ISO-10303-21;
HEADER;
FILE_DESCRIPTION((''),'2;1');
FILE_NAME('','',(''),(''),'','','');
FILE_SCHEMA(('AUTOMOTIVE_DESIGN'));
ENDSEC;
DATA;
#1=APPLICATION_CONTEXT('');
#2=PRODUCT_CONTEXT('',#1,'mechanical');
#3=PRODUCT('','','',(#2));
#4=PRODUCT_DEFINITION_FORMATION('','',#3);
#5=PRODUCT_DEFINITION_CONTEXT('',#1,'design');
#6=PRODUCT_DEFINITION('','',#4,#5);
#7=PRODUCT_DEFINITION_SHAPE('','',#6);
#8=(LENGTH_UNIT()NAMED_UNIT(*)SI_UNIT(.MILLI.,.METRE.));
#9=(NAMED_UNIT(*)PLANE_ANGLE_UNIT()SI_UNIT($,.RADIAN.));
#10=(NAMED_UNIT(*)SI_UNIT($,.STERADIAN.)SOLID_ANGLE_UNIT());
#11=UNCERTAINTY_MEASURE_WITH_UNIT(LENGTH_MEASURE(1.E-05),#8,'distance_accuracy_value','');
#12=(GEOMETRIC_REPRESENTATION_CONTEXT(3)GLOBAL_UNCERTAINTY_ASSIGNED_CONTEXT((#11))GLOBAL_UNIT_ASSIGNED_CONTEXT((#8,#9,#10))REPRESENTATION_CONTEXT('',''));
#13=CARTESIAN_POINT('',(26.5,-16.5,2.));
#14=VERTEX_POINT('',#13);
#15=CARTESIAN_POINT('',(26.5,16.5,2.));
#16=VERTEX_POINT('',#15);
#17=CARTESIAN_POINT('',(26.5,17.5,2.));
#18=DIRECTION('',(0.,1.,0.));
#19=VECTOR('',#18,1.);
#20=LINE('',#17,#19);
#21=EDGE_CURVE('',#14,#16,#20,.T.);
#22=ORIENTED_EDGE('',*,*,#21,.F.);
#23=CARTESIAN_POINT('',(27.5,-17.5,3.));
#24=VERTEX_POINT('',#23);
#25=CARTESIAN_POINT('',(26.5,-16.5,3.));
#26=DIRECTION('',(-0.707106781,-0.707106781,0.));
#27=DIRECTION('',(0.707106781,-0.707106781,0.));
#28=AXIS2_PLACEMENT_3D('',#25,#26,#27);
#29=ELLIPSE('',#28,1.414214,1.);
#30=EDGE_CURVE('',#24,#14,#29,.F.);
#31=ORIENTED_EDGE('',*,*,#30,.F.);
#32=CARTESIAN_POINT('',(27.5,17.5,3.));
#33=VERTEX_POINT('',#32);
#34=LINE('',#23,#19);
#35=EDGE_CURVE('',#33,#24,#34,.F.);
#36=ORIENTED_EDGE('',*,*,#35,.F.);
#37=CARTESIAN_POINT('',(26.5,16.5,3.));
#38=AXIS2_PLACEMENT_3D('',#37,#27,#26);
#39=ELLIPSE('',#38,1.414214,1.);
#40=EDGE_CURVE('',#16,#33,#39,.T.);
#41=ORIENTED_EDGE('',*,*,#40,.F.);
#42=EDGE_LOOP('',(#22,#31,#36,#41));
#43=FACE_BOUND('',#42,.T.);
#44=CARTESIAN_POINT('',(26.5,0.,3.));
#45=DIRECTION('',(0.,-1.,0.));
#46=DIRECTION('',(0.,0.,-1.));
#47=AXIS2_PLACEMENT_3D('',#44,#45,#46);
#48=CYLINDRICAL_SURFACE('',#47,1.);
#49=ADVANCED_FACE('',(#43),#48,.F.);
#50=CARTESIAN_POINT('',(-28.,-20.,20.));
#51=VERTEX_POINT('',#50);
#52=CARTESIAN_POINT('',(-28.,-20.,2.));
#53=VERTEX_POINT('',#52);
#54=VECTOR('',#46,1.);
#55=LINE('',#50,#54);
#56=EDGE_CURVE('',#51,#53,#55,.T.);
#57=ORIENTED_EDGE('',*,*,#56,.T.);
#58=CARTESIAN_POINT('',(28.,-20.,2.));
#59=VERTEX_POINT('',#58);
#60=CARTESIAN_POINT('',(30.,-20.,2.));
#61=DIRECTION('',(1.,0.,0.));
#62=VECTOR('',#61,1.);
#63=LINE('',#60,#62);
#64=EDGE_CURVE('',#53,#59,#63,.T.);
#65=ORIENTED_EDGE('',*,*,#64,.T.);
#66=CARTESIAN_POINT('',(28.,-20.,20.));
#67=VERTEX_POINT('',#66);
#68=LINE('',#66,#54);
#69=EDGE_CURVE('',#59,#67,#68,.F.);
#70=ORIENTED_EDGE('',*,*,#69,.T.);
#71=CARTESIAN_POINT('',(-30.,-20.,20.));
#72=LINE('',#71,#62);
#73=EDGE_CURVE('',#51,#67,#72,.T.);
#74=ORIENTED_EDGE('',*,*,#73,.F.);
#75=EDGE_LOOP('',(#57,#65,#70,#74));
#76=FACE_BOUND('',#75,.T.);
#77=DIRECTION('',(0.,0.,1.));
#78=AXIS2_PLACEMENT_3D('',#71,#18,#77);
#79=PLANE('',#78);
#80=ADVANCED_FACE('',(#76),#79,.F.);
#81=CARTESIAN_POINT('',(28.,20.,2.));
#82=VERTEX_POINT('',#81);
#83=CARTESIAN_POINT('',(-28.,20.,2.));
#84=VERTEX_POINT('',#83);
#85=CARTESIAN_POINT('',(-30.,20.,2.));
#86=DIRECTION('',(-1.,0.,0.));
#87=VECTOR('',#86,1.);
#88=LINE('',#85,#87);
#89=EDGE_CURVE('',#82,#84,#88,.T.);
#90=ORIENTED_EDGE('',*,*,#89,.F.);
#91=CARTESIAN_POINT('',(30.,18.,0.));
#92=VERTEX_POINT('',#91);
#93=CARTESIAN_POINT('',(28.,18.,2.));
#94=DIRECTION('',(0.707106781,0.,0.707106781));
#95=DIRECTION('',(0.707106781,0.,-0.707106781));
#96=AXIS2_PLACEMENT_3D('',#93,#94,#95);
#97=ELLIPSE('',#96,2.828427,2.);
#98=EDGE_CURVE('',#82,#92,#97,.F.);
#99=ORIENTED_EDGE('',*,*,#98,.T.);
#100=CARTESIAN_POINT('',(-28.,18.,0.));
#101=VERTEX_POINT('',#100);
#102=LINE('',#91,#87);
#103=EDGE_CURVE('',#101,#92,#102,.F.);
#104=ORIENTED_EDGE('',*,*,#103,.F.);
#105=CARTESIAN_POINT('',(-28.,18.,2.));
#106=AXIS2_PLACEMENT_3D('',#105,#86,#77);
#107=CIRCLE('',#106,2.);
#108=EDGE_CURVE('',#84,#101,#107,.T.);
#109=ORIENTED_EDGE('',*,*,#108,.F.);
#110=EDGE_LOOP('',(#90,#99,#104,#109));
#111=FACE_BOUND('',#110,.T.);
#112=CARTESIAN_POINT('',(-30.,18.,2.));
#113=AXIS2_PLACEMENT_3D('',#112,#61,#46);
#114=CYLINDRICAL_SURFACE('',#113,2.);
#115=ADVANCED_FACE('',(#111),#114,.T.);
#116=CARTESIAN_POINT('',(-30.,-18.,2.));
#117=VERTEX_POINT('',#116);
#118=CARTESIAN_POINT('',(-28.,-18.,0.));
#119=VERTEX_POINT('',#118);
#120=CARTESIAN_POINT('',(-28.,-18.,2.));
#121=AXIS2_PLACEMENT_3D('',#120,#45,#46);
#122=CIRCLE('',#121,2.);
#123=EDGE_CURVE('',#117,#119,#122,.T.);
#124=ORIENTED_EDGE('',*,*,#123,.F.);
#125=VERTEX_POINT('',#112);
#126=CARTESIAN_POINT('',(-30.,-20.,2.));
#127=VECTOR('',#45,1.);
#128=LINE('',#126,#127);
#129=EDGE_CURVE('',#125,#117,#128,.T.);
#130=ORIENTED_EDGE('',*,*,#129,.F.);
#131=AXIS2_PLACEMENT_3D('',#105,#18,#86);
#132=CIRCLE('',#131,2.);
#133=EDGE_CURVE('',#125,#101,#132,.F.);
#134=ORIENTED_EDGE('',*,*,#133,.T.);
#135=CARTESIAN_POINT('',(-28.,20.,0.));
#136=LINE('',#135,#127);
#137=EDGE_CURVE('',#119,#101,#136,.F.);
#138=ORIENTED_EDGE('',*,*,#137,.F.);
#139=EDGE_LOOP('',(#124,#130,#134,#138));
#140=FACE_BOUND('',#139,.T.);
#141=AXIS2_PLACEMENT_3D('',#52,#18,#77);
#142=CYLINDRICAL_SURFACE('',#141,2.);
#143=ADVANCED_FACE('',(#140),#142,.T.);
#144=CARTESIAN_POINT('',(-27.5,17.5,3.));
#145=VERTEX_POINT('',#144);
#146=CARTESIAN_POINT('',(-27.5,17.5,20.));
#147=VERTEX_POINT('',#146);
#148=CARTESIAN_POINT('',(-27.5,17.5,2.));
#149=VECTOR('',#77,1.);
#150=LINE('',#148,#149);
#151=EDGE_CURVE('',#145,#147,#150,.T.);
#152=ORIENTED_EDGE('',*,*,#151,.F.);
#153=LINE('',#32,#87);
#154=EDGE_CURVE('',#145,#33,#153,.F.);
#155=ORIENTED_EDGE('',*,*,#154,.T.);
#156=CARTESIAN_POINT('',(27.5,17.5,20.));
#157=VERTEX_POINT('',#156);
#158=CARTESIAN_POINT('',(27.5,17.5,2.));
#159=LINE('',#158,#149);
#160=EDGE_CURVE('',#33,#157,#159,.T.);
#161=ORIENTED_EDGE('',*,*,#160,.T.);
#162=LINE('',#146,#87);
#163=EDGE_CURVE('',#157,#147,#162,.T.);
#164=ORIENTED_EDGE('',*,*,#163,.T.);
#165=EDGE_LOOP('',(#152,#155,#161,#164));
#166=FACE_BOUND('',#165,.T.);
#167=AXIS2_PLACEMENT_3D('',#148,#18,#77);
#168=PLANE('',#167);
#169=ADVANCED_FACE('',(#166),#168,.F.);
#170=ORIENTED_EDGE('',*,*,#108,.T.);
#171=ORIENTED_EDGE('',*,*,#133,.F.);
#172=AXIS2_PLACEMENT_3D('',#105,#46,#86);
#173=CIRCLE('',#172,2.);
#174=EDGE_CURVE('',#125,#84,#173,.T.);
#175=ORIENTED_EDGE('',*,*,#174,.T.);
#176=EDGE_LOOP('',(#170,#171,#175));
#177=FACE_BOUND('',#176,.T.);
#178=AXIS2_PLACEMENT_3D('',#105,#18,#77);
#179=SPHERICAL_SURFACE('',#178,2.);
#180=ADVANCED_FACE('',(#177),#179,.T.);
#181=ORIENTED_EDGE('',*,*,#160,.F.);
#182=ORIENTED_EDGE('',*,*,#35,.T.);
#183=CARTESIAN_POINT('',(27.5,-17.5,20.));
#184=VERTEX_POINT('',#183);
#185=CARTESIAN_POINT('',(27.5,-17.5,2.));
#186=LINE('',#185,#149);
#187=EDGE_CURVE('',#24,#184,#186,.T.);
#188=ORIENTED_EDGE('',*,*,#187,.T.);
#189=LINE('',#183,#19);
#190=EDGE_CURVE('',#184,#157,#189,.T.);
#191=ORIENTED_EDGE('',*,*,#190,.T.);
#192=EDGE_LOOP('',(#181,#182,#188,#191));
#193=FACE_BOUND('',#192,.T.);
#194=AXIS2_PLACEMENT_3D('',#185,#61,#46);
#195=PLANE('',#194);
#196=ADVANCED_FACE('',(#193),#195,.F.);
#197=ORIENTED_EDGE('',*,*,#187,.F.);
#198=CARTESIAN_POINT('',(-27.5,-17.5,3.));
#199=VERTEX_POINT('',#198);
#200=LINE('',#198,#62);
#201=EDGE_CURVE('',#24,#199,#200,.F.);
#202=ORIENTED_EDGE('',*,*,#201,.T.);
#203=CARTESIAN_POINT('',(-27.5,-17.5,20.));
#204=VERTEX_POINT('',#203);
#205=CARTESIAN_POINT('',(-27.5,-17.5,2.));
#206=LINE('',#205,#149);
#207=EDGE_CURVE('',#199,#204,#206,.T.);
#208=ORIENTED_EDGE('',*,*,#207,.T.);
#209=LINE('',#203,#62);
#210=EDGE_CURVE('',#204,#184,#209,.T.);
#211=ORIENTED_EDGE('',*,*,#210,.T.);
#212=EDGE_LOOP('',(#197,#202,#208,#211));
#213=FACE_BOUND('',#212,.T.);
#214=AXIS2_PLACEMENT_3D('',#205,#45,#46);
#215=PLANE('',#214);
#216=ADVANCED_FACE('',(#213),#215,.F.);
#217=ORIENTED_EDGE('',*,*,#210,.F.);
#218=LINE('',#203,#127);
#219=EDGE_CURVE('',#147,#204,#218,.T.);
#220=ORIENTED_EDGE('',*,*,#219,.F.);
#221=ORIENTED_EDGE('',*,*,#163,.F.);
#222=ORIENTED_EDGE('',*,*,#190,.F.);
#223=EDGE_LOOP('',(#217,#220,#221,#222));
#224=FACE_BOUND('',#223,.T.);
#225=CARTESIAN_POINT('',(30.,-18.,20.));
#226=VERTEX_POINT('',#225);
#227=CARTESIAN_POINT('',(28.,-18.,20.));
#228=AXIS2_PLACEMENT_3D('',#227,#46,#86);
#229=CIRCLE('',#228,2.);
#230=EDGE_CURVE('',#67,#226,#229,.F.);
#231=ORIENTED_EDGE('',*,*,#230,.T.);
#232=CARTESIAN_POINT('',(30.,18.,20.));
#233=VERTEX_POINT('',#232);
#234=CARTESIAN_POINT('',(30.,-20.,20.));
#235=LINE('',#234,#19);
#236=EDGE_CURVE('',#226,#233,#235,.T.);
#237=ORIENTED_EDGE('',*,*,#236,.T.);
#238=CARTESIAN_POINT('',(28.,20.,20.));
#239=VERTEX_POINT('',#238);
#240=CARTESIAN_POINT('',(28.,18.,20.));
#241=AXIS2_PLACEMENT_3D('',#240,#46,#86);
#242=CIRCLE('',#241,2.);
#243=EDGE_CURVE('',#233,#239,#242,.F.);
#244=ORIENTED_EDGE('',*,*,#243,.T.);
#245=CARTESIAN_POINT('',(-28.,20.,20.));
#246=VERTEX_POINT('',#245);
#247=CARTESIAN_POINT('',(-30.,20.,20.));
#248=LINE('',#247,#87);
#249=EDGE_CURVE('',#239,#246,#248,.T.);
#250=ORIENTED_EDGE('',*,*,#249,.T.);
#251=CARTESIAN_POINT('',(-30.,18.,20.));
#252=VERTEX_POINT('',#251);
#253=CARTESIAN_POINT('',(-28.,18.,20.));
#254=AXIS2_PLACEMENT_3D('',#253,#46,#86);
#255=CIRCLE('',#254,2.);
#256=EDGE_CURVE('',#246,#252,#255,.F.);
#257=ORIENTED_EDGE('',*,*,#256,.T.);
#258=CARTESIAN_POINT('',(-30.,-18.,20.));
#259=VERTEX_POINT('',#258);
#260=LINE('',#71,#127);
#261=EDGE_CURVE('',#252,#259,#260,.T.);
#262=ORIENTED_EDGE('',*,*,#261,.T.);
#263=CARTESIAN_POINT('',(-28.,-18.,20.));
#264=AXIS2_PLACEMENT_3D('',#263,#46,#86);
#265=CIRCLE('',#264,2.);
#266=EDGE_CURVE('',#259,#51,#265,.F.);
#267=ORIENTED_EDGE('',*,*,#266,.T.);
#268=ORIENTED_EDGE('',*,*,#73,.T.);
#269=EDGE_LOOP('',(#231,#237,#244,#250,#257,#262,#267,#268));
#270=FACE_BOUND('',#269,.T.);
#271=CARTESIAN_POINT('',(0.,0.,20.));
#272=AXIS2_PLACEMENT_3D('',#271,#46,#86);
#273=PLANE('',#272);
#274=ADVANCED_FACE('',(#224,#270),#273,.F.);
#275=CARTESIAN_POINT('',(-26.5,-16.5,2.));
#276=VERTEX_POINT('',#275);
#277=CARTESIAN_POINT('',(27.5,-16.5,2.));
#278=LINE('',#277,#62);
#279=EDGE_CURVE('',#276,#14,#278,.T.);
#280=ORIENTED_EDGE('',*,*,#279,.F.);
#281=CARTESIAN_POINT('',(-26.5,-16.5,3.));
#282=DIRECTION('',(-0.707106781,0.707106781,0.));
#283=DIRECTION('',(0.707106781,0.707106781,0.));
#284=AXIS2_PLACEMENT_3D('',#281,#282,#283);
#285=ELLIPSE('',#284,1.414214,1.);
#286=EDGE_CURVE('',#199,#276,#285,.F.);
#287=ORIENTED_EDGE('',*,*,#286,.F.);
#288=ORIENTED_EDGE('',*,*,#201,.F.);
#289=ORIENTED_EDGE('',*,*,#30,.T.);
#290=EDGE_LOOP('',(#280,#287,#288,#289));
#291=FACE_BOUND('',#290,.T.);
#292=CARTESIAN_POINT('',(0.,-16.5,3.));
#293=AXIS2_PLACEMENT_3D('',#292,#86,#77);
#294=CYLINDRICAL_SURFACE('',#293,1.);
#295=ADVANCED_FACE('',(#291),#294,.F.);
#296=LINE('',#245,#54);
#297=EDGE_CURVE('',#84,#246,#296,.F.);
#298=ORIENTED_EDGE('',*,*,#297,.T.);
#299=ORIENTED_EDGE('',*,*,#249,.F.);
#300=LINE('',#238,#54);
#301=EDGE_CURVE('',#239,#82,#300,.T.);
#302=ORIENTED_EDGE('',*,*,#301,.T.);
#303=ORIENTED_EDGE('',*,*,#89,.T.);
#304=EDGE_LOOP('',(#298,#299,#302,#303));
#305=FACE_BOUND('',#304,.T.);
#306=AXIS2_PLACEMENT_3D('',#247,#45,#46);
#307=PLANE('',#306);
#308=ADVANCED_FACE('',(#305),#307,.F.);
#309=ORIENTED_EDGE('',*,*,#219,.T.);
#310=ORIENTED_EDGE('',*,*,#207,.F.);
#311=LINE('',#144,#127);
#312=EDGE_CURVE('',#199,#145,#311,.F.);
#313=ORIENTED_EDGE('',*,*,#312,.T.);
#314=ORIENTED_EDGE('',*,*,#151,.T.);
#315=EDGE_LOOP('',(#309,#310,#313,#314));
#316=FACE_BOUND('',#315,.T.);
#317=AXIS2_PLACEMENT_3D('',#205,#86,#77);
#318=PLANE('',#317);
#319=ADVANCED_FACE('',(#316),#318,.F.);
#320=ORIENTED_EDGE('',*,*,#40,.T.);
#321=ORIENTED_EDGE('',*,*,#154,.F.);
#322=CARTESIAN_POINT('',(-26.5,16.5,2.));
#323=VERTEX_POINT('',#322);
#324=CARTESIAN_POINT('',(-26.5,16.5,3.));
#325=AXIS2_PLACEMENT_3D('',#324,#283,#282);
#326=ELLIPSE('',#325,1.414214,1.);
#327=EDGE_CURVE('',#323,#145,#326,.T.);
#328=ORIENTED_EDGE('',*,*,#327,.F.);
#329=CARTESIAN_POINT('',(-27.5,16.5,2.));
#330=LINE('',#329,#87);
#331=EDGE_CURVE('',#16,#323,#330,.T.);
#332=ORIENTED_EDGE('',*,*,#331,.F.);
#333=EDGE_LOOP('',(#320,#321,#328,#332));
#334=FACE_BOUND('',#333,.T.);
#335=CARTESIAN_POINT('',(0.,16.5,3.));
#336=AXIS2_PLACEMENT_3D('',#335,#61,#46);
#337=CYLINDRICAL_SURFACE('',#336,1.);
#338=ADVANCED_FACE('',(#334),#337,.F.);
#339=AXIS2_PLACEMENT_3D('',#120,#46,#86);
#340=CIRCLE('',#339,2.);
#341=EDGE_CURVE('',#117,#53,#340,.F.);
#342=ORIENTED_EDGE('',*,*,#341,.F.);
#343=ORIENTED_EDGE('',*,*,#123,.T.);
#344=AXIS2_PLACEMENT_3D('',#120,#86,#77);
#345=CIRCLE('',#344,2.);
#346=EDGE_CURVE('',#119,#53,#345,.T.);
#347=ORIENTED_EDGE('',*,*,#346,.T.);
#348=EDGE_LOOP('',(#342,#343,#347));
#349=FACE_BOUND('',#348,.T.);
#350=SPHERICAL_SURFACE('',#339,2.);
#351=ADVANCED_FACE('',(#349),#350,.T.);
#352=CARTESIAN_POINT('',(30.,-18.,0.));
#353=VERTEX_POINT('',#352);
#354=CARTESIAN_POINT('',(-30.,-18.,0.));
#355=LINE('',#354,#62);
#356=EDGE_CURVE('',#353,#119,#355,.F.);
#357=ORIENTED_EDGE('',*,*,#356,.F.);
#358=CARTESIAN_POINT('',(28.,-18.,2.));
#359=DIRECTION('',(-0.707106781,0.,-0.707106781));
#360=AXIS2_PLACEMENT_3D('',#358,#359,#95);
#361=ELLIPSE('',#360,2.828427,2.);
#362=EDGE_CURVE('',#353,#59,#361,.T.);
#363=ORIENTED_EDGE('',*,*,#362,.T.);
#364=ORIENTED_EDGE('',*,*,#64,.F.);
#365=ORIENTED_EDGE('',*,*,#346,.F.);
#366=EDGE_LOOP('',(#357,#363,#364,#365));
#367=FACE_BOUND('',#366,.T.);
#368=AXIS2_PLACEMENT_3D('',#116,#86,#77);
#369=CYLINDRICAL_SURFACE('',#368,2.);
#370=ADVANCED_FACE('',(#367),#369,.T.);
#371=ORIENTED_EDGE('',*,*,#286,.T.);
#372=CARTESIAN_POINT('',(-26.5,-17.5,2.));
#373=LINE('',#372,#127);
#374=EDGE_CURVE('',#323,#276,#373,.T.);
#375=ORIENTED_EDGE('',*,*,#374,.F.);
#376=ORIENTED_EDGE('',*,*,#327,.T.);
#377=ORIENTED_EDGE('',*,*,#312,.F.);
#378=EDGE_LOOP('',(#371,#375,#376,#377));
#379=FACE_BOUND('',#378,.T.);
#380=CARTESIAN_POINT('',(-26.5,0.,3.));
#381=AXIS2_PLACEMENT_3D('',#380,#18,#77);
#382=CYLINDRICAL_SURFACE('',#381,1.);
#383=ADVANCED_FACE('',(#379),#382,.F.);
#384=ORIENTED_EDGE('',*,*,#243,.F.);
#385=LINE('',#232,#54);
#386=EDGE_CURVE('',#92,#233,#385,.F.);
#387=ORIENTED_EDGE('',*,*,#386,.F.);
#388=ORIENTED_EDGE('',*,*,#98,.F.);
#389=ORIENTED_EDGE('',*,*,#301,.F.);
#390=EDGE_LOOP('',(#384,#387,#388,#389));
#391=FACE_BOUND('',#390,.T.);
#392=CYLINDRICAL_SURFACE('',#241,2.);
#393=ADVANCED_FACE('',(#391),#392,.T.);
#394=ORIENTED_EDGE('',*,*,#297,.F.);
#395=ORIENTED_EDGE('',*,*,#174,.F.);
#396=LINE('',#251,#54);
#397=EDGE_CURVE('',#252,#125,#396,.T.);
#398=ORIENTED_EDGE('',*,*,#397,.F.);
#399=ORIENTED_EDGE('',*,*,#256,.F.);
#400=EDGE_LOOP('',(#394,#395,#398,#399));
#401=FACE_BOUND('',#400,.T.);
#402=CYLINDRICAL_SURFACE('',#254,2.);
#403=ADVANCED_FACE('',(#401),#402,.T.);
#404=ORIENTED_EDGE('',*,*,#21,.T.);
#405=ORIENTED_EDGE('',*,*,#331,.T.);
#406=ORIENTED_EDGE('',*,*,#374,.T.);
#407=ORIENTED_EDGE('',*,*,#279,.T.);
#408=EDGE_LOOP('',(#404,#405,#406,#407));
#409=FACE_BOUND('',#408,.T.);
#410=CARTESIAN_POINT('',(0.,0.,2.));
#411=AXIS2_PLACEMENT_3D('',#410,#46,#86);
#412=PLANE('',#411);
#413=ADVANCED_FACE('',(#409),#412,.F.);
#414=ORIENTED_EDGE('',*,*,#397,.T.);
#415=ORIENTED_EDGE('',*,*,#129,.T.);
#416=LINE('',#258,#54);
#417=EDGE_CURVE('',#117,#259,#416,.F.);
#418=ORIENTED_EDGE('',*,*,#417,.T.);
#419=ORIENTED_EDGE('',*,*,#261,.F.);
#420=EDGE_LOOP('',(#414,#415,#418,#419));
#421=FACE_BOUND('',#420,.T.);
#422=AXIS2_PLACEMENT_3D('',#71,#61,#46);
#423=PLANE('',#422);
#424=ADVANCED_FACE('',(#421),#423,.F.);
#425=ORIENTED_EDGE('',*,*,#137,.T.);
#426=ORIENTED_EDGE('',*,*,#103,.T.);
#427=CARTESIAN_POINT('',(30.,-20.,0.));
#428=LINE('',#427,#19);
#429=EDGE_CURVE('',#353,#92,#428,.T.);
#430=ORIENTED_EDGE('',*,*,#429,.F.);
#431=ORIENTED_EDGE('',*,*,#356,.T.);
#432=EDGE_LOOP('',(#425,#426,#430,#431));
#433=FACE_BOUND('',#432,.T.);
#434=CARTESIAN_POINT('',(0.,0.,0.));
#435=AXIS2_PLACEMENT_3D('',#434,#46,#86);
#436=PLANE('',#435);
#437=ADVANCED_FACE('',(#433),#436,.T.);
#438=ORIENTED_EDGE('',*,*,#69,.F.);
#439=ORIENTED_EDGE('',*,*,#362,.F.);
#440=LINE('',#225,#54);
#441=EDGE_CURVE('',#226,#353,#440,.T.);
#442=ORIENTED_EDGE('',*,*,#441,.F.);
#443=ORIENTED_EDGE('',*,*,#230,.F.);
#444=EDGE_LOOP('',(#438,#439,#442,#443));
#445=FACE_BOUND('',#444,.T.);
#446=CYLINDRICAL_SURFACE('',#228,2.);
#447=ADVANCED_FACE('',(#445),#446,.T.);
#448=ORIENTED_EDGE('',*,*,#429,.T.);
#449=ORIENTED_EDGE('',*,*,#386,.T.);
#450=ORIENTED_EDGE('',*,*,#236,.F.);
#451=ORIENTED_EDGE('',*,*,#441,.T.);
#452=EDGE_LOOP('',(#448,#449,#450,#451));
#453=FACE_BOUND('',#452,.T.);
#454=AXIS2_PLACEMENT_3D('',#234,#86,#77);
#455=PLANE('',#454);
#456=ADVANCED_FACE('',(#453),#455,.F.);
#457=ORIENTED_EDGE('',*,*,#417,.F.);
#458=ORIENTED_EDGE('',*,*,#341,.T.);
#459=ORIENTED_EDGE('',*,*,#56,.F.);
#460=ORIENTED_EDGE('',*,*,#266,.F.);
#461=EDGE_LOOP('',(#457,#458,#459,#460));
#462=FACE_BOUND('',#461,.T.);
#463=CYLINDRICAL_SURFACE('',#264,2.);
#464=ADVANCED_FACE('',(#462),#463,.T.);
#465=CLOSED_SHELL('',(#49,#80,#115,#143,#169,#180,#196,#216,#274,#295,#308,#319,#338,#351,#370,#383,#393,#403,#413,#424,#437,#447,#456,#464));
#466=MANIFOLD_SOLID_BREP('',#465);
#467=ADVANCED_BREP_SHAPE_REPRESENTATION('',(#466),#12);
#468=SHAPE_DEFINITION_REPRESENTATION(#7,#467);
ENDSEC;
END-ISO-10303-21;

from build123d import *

# Parameters (mm, degrees)
SKETCH1_W           = 60
SKETCH1_H           = 40
BOSS_EXTRUDE1_DEPTH = 20
SKETCH2_W           = 55
SKETCH2_H           = 35
CUT_EXTRUDE1_DEPTH  = 18
FILLET1_R           = 1
FILLET2_R           = 2


with BuildPart() as part:
    # Sketch1 → Boss-Extrude1 (new body)
    with BuildSketch(Plane.XY):
        Rectangle(SKETCH1_W, SKETCH1_H)
    extrude(amount=BOSS_EXTRUDE1_DEPTH)

    # Sketch2 → Cut-Extrude1 (cut)
    with BuildSketch(Plane.XY.offset(20)):
        Rectangle(SKETCH2_W, SKETCH2_H)
    extrude(amount=-CUT_EXTRUDE1_DEPTH, mode=Mode.SUBTRACT)

    # Fillet1
    fillet1_edges = [part.edges().sort_by_distance(p)[0] for p in [
        (27.5, 0, 2),
        (0, -17.5, 2),
        (-27.5, 0, 2),
        (0, 17.5, 2),
    ]]
    fillet(fillet1_edges, radius=FILLET1_R)

    # Fillet2
    fillet2_edges = [part.edges().sort_by_distance(p)[0] for p in [
        (0, -20, 0),
        (-30, 0, 0),
        (0, 20, 0),
        (30, -20, 10),
        (-30, -20, 10),
        (-30, 20, 10),
        (30, 20, 10),
    ]]
    fillet(fillet2_edges, radius=FILLET2_R)


solid = part.part
